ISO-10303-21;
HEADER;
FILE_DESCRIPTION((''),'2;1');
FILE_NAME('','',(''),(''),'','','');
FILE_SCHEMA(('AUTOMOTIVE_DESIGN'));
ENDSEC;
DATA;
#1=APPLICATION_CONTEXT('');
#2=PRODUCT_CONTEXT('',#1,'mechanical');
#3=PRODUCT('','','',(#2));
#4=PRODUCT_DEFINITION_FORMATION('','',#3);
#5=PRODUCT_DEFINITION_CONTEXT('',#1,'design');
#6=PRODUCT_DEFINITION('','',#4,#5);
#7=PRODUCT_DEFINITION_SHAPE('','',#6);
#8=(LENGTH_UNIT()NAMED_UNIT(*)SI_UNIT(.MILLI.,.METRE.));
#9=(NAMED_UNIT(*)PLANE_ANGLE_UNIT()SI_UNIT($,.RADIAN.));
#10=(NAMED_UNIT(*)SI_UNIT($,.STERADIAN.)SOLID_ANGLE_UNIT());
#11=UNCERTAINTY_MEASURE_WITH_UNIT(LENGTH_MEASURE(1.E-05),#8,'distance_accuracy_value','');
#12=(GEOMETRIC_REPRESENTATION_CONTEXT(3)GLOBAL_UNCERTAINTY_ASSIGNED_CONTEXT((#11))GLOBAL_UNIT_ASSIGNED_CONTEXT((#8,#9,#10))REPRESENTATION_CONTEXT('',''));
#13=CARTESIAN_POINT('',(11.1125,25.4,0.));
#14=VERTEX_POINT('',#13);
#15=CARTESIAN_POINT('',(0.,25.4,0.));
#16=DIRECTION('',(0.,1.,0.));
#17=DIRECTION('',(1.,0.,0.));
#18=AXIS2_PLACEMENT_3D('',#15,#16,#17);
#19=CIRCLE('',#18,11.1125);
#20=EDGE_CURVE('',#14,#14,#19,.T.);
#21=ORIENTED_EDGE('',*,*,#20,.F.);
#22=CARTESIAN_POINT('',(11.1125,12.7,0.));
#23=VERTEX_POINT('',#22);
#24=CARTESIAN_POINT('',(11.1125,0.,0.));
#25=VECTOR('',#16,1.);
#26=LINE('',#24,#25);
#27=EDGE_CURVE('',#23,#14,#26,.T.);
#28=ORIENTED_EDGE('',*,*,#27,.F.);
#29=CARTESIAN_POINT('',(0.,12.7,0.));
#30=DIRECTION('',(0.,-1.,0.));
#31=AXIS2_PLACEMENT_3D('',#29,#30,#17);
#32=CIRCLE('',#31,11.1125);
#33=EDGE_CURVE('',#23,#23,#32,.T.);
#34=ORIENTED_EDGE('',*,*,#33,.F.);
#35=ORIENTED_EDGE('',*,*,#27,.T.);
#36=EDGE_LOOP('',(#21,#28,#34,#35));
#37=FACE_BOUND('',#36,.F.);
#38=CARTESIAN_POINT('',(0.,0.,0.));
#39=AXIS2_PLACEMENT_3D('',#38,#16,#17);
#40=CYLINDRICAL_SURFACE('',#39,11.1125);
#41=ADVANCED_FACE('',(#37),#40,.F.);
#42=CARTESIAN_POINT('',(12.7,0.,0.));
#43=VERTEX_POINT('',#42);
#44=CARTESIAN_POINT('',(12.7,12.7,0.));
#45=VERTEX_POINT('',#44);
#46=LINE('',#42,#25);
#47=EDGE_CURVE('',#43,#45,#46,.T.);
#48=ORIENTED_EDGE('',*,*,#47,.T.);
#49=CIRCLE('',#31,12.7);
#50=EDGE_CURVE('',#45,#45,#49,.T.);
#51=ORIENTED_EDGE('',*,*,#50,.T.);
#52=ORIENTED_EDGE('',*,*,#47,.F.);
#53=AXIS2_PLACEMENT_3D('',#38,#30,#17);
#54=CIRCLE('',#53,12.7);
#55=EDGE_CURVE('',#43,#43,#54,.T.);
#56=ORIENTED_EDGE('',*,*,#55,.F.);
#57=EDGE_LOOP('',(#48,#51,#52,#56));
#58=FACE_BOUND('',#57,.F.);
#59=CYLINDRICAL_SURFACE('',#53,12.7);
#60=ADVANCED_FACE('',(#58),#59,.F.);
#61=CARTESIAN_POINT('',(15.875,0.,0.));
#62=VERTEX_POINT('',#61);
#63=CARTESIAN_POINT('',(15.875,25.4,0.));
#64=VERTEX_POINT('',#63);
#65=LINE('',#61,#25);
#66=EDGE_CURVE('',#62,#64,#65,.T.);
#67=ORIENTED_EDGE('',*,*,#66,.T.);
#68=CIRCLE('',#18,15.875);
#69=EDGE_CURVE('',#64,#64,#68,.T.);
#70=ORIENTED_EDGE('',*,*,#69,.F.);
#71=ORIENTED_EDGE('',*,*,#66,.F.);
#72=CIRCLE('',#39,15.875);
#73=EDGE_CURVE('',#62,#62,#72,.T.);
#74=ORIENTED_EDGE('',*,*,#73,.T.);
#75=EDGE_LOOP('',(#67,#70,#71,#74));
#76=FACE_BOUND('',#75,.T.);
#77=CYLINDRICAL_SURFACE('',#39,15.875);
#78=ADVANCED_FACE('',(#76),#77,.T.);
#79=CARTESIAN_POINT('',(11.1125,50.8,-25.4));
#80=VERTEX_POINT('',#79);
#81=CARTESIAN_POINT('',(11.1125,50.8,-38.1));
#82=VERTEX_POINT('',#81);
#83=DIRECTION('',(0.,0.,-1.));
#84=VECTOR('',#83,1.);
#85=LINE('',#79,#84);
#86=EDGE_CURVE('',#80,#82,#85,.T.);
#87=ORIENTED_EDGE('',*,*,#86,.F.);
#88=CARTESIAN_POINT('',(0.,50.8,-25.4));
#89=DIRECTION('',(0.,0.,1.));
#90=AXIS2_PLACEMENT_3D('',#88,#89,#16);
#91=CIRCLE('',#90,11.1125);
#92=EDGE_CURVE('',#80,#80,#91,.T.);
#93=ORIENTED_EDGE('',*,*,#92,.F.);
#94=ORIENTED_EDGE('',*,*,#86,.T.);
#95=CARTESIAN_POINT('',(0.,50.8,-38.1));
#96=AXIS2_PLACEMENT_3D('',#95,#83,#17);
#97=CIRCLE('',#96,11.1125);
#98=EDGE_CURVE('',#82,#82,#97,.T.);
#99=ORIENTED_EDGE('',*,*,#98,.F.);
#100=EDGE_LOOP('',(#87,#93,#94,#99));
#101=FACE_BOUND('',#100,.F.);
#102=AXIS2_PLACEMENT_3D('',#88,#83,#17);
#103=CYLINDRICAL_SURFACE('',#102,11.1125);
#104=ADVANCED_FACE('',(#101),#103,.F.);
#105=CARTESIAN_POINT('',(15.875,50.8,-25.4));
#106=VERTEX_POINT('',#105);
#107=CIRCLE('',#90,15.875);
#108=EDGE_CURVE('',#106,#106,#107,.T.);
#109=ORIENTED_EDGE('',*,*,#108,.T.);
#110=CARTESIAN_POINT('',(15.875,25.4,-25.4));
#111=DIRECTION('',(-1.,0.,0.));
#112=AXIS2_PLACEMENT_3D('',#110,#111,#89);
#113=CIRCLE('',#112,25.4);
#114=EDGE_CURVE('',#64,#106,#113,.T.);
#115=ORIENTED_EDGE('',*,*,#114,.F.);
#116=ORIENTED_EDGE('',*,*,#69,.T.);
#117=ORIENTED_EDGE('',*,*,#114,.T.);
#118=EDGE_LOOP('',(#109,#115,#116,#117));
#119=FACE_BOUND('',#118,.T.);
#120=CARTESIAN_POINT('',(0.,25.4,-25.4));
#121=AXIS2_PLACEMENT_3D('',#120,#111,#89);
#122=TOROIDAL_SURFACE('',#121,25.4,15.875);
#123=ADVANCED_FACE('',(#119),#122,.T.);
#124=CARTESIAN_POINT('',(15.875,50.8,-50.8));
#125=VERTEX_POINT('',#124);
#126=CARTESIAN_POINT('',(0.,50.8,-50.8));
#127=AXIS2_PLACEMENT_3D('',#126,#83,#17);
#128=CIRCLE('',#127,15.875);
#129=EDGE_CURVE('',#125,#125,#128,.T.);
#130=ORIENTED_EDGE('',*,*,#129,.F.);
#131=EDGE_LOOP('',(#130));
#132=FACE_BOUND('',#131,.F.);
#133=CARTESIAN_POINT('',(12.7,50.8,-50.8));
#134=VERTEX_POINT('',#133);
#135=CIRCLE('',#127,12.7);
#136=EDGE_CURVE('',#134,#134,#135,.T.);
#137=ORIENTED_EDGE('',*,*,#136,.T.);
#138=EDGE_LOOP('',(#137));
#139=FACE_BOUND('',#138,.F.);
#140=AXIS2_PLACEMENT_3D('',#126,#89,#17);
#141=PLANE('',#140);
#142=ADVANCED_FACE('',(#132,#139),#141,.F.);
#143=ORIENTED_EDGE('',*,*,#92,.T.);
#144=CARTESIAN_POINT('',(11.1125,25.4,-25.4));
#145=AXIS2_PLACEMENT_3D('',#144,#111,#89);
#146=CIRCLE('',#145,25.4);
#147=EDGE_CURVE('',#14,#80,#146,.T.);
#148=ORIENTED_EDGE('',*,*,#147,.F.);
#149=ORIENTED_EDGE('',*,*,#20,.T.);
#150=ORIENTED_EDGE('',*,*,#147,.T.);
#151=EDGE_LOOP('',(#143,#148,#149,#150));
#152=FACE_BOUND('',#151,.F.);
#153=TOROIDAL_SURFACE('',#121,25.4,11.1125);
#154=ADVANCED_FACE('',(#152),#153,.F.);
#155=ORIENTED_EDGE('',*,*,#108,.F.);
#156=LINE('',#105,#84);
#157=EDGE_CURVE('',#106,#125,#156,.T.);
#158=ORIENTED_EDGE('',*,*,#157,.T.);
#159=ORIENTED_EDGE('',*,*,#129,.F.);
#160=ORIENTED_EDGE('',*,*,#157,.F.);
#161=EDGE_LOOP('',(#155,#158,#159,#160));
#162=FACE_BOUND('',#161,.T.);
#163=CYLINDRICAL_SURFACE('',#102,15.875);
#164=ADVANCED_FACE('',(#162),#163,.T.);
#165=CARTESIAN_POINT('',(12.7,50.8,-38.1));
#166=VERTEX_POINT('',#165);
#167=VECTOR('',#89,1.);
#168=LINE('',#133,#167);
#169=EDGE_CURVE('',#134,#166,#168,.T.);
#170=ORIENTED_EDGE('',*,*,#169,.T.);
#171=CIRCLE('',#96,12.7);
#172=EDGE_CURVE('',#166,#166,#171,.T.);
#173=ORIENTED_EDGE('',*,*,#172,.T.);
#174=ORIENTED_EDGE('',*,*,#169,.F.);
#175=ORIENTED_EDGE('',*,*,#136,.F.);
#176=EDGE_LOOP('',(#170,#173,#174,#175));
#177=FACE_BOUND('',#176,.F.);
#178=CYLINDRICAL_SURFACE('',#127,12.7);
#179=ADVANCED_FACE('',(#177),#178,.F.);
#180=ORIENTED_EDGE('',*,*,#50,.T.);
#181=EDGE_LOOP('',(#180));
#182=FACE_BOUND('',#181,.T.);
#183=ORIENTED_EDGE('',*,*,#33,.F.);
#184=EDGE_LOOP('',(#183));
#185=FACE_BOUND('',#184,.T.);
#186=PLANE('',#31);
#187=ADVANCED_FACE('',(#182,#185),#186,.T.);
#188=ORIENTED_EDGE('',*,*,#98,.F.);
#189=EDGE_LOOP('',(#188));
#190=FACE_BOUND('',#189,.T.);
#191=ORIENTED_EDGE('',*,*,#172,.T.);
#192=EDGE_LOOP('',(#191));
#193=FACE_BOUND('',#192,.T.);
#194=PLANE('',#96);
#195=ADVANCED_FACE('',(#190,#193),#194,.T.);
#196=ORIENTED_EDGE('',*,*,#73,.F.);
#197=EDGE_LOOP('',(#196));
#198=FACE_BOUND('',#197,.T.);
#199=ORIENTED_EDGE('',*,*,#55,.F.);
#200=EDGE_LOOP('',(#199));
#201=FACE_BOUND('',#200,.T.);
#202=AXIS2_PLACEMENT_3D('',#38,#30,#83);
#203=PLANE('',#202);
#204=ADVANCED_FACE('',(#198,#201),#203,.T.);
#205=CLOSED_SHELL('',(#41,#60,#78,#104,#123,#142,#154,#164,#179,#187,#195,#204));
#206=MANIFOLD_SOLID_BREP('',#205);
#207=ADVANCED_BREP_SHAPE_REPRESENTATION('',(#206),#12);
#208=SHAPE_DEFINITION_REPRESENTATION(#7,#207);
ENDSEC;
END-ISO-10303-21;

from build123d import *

# Parameters (mm, degrees)
F0_R     = 15.875
F0_R_2   = 11.1125
F3_R     = 12.7
F3_R_2   = 11.1125
F4_DEPTH = 12.7
F5_R     = 12.7
F6_DEPTH = 12.7


with BuildPart() as f2:
    # F2: sweep along a path in F1
    with BuildLine(Plane.YZ) as f2_path:
        Line((0, 0), (25.4, 0))
        ThreePointArc((25.4, 0), (43.3605122421, -7.4394877579), (50.8, -25.4))
        Line((50.8, -25.4), (50.8, -50.8))
    # F0 (on Front) → F2 (sweep)
    with BuildSketch(Plane.XZ):
        Circle(F0_R)
        Circle(F0_R_2, mode=Mode.SUBTRACT)
    sweep(path=f2_path.line)

    # F3 (on face) → F4 (cut)
    with BuildSketch(Plane.XZ):
        Circle(F3_R)
        Circle(F3_R_2, mode=Mode.SUBTRACT)
    extrude(amount=-F4_DEPTH, mode=Mode.SUBTRACT)

    # F5 (on face) → F6 (cut)
    with BuildSketch(Plane(origin=(0, 0, -50.8), x_dir=(1, 0, 0), z_dir=(0, 0, -1))):
        with Locations((0, -50.8)):
            Circle(F5_R)
    extrude(amount=-F6_DEPTH, mode=Mode.SUBTRACT)


solid = f2.part
